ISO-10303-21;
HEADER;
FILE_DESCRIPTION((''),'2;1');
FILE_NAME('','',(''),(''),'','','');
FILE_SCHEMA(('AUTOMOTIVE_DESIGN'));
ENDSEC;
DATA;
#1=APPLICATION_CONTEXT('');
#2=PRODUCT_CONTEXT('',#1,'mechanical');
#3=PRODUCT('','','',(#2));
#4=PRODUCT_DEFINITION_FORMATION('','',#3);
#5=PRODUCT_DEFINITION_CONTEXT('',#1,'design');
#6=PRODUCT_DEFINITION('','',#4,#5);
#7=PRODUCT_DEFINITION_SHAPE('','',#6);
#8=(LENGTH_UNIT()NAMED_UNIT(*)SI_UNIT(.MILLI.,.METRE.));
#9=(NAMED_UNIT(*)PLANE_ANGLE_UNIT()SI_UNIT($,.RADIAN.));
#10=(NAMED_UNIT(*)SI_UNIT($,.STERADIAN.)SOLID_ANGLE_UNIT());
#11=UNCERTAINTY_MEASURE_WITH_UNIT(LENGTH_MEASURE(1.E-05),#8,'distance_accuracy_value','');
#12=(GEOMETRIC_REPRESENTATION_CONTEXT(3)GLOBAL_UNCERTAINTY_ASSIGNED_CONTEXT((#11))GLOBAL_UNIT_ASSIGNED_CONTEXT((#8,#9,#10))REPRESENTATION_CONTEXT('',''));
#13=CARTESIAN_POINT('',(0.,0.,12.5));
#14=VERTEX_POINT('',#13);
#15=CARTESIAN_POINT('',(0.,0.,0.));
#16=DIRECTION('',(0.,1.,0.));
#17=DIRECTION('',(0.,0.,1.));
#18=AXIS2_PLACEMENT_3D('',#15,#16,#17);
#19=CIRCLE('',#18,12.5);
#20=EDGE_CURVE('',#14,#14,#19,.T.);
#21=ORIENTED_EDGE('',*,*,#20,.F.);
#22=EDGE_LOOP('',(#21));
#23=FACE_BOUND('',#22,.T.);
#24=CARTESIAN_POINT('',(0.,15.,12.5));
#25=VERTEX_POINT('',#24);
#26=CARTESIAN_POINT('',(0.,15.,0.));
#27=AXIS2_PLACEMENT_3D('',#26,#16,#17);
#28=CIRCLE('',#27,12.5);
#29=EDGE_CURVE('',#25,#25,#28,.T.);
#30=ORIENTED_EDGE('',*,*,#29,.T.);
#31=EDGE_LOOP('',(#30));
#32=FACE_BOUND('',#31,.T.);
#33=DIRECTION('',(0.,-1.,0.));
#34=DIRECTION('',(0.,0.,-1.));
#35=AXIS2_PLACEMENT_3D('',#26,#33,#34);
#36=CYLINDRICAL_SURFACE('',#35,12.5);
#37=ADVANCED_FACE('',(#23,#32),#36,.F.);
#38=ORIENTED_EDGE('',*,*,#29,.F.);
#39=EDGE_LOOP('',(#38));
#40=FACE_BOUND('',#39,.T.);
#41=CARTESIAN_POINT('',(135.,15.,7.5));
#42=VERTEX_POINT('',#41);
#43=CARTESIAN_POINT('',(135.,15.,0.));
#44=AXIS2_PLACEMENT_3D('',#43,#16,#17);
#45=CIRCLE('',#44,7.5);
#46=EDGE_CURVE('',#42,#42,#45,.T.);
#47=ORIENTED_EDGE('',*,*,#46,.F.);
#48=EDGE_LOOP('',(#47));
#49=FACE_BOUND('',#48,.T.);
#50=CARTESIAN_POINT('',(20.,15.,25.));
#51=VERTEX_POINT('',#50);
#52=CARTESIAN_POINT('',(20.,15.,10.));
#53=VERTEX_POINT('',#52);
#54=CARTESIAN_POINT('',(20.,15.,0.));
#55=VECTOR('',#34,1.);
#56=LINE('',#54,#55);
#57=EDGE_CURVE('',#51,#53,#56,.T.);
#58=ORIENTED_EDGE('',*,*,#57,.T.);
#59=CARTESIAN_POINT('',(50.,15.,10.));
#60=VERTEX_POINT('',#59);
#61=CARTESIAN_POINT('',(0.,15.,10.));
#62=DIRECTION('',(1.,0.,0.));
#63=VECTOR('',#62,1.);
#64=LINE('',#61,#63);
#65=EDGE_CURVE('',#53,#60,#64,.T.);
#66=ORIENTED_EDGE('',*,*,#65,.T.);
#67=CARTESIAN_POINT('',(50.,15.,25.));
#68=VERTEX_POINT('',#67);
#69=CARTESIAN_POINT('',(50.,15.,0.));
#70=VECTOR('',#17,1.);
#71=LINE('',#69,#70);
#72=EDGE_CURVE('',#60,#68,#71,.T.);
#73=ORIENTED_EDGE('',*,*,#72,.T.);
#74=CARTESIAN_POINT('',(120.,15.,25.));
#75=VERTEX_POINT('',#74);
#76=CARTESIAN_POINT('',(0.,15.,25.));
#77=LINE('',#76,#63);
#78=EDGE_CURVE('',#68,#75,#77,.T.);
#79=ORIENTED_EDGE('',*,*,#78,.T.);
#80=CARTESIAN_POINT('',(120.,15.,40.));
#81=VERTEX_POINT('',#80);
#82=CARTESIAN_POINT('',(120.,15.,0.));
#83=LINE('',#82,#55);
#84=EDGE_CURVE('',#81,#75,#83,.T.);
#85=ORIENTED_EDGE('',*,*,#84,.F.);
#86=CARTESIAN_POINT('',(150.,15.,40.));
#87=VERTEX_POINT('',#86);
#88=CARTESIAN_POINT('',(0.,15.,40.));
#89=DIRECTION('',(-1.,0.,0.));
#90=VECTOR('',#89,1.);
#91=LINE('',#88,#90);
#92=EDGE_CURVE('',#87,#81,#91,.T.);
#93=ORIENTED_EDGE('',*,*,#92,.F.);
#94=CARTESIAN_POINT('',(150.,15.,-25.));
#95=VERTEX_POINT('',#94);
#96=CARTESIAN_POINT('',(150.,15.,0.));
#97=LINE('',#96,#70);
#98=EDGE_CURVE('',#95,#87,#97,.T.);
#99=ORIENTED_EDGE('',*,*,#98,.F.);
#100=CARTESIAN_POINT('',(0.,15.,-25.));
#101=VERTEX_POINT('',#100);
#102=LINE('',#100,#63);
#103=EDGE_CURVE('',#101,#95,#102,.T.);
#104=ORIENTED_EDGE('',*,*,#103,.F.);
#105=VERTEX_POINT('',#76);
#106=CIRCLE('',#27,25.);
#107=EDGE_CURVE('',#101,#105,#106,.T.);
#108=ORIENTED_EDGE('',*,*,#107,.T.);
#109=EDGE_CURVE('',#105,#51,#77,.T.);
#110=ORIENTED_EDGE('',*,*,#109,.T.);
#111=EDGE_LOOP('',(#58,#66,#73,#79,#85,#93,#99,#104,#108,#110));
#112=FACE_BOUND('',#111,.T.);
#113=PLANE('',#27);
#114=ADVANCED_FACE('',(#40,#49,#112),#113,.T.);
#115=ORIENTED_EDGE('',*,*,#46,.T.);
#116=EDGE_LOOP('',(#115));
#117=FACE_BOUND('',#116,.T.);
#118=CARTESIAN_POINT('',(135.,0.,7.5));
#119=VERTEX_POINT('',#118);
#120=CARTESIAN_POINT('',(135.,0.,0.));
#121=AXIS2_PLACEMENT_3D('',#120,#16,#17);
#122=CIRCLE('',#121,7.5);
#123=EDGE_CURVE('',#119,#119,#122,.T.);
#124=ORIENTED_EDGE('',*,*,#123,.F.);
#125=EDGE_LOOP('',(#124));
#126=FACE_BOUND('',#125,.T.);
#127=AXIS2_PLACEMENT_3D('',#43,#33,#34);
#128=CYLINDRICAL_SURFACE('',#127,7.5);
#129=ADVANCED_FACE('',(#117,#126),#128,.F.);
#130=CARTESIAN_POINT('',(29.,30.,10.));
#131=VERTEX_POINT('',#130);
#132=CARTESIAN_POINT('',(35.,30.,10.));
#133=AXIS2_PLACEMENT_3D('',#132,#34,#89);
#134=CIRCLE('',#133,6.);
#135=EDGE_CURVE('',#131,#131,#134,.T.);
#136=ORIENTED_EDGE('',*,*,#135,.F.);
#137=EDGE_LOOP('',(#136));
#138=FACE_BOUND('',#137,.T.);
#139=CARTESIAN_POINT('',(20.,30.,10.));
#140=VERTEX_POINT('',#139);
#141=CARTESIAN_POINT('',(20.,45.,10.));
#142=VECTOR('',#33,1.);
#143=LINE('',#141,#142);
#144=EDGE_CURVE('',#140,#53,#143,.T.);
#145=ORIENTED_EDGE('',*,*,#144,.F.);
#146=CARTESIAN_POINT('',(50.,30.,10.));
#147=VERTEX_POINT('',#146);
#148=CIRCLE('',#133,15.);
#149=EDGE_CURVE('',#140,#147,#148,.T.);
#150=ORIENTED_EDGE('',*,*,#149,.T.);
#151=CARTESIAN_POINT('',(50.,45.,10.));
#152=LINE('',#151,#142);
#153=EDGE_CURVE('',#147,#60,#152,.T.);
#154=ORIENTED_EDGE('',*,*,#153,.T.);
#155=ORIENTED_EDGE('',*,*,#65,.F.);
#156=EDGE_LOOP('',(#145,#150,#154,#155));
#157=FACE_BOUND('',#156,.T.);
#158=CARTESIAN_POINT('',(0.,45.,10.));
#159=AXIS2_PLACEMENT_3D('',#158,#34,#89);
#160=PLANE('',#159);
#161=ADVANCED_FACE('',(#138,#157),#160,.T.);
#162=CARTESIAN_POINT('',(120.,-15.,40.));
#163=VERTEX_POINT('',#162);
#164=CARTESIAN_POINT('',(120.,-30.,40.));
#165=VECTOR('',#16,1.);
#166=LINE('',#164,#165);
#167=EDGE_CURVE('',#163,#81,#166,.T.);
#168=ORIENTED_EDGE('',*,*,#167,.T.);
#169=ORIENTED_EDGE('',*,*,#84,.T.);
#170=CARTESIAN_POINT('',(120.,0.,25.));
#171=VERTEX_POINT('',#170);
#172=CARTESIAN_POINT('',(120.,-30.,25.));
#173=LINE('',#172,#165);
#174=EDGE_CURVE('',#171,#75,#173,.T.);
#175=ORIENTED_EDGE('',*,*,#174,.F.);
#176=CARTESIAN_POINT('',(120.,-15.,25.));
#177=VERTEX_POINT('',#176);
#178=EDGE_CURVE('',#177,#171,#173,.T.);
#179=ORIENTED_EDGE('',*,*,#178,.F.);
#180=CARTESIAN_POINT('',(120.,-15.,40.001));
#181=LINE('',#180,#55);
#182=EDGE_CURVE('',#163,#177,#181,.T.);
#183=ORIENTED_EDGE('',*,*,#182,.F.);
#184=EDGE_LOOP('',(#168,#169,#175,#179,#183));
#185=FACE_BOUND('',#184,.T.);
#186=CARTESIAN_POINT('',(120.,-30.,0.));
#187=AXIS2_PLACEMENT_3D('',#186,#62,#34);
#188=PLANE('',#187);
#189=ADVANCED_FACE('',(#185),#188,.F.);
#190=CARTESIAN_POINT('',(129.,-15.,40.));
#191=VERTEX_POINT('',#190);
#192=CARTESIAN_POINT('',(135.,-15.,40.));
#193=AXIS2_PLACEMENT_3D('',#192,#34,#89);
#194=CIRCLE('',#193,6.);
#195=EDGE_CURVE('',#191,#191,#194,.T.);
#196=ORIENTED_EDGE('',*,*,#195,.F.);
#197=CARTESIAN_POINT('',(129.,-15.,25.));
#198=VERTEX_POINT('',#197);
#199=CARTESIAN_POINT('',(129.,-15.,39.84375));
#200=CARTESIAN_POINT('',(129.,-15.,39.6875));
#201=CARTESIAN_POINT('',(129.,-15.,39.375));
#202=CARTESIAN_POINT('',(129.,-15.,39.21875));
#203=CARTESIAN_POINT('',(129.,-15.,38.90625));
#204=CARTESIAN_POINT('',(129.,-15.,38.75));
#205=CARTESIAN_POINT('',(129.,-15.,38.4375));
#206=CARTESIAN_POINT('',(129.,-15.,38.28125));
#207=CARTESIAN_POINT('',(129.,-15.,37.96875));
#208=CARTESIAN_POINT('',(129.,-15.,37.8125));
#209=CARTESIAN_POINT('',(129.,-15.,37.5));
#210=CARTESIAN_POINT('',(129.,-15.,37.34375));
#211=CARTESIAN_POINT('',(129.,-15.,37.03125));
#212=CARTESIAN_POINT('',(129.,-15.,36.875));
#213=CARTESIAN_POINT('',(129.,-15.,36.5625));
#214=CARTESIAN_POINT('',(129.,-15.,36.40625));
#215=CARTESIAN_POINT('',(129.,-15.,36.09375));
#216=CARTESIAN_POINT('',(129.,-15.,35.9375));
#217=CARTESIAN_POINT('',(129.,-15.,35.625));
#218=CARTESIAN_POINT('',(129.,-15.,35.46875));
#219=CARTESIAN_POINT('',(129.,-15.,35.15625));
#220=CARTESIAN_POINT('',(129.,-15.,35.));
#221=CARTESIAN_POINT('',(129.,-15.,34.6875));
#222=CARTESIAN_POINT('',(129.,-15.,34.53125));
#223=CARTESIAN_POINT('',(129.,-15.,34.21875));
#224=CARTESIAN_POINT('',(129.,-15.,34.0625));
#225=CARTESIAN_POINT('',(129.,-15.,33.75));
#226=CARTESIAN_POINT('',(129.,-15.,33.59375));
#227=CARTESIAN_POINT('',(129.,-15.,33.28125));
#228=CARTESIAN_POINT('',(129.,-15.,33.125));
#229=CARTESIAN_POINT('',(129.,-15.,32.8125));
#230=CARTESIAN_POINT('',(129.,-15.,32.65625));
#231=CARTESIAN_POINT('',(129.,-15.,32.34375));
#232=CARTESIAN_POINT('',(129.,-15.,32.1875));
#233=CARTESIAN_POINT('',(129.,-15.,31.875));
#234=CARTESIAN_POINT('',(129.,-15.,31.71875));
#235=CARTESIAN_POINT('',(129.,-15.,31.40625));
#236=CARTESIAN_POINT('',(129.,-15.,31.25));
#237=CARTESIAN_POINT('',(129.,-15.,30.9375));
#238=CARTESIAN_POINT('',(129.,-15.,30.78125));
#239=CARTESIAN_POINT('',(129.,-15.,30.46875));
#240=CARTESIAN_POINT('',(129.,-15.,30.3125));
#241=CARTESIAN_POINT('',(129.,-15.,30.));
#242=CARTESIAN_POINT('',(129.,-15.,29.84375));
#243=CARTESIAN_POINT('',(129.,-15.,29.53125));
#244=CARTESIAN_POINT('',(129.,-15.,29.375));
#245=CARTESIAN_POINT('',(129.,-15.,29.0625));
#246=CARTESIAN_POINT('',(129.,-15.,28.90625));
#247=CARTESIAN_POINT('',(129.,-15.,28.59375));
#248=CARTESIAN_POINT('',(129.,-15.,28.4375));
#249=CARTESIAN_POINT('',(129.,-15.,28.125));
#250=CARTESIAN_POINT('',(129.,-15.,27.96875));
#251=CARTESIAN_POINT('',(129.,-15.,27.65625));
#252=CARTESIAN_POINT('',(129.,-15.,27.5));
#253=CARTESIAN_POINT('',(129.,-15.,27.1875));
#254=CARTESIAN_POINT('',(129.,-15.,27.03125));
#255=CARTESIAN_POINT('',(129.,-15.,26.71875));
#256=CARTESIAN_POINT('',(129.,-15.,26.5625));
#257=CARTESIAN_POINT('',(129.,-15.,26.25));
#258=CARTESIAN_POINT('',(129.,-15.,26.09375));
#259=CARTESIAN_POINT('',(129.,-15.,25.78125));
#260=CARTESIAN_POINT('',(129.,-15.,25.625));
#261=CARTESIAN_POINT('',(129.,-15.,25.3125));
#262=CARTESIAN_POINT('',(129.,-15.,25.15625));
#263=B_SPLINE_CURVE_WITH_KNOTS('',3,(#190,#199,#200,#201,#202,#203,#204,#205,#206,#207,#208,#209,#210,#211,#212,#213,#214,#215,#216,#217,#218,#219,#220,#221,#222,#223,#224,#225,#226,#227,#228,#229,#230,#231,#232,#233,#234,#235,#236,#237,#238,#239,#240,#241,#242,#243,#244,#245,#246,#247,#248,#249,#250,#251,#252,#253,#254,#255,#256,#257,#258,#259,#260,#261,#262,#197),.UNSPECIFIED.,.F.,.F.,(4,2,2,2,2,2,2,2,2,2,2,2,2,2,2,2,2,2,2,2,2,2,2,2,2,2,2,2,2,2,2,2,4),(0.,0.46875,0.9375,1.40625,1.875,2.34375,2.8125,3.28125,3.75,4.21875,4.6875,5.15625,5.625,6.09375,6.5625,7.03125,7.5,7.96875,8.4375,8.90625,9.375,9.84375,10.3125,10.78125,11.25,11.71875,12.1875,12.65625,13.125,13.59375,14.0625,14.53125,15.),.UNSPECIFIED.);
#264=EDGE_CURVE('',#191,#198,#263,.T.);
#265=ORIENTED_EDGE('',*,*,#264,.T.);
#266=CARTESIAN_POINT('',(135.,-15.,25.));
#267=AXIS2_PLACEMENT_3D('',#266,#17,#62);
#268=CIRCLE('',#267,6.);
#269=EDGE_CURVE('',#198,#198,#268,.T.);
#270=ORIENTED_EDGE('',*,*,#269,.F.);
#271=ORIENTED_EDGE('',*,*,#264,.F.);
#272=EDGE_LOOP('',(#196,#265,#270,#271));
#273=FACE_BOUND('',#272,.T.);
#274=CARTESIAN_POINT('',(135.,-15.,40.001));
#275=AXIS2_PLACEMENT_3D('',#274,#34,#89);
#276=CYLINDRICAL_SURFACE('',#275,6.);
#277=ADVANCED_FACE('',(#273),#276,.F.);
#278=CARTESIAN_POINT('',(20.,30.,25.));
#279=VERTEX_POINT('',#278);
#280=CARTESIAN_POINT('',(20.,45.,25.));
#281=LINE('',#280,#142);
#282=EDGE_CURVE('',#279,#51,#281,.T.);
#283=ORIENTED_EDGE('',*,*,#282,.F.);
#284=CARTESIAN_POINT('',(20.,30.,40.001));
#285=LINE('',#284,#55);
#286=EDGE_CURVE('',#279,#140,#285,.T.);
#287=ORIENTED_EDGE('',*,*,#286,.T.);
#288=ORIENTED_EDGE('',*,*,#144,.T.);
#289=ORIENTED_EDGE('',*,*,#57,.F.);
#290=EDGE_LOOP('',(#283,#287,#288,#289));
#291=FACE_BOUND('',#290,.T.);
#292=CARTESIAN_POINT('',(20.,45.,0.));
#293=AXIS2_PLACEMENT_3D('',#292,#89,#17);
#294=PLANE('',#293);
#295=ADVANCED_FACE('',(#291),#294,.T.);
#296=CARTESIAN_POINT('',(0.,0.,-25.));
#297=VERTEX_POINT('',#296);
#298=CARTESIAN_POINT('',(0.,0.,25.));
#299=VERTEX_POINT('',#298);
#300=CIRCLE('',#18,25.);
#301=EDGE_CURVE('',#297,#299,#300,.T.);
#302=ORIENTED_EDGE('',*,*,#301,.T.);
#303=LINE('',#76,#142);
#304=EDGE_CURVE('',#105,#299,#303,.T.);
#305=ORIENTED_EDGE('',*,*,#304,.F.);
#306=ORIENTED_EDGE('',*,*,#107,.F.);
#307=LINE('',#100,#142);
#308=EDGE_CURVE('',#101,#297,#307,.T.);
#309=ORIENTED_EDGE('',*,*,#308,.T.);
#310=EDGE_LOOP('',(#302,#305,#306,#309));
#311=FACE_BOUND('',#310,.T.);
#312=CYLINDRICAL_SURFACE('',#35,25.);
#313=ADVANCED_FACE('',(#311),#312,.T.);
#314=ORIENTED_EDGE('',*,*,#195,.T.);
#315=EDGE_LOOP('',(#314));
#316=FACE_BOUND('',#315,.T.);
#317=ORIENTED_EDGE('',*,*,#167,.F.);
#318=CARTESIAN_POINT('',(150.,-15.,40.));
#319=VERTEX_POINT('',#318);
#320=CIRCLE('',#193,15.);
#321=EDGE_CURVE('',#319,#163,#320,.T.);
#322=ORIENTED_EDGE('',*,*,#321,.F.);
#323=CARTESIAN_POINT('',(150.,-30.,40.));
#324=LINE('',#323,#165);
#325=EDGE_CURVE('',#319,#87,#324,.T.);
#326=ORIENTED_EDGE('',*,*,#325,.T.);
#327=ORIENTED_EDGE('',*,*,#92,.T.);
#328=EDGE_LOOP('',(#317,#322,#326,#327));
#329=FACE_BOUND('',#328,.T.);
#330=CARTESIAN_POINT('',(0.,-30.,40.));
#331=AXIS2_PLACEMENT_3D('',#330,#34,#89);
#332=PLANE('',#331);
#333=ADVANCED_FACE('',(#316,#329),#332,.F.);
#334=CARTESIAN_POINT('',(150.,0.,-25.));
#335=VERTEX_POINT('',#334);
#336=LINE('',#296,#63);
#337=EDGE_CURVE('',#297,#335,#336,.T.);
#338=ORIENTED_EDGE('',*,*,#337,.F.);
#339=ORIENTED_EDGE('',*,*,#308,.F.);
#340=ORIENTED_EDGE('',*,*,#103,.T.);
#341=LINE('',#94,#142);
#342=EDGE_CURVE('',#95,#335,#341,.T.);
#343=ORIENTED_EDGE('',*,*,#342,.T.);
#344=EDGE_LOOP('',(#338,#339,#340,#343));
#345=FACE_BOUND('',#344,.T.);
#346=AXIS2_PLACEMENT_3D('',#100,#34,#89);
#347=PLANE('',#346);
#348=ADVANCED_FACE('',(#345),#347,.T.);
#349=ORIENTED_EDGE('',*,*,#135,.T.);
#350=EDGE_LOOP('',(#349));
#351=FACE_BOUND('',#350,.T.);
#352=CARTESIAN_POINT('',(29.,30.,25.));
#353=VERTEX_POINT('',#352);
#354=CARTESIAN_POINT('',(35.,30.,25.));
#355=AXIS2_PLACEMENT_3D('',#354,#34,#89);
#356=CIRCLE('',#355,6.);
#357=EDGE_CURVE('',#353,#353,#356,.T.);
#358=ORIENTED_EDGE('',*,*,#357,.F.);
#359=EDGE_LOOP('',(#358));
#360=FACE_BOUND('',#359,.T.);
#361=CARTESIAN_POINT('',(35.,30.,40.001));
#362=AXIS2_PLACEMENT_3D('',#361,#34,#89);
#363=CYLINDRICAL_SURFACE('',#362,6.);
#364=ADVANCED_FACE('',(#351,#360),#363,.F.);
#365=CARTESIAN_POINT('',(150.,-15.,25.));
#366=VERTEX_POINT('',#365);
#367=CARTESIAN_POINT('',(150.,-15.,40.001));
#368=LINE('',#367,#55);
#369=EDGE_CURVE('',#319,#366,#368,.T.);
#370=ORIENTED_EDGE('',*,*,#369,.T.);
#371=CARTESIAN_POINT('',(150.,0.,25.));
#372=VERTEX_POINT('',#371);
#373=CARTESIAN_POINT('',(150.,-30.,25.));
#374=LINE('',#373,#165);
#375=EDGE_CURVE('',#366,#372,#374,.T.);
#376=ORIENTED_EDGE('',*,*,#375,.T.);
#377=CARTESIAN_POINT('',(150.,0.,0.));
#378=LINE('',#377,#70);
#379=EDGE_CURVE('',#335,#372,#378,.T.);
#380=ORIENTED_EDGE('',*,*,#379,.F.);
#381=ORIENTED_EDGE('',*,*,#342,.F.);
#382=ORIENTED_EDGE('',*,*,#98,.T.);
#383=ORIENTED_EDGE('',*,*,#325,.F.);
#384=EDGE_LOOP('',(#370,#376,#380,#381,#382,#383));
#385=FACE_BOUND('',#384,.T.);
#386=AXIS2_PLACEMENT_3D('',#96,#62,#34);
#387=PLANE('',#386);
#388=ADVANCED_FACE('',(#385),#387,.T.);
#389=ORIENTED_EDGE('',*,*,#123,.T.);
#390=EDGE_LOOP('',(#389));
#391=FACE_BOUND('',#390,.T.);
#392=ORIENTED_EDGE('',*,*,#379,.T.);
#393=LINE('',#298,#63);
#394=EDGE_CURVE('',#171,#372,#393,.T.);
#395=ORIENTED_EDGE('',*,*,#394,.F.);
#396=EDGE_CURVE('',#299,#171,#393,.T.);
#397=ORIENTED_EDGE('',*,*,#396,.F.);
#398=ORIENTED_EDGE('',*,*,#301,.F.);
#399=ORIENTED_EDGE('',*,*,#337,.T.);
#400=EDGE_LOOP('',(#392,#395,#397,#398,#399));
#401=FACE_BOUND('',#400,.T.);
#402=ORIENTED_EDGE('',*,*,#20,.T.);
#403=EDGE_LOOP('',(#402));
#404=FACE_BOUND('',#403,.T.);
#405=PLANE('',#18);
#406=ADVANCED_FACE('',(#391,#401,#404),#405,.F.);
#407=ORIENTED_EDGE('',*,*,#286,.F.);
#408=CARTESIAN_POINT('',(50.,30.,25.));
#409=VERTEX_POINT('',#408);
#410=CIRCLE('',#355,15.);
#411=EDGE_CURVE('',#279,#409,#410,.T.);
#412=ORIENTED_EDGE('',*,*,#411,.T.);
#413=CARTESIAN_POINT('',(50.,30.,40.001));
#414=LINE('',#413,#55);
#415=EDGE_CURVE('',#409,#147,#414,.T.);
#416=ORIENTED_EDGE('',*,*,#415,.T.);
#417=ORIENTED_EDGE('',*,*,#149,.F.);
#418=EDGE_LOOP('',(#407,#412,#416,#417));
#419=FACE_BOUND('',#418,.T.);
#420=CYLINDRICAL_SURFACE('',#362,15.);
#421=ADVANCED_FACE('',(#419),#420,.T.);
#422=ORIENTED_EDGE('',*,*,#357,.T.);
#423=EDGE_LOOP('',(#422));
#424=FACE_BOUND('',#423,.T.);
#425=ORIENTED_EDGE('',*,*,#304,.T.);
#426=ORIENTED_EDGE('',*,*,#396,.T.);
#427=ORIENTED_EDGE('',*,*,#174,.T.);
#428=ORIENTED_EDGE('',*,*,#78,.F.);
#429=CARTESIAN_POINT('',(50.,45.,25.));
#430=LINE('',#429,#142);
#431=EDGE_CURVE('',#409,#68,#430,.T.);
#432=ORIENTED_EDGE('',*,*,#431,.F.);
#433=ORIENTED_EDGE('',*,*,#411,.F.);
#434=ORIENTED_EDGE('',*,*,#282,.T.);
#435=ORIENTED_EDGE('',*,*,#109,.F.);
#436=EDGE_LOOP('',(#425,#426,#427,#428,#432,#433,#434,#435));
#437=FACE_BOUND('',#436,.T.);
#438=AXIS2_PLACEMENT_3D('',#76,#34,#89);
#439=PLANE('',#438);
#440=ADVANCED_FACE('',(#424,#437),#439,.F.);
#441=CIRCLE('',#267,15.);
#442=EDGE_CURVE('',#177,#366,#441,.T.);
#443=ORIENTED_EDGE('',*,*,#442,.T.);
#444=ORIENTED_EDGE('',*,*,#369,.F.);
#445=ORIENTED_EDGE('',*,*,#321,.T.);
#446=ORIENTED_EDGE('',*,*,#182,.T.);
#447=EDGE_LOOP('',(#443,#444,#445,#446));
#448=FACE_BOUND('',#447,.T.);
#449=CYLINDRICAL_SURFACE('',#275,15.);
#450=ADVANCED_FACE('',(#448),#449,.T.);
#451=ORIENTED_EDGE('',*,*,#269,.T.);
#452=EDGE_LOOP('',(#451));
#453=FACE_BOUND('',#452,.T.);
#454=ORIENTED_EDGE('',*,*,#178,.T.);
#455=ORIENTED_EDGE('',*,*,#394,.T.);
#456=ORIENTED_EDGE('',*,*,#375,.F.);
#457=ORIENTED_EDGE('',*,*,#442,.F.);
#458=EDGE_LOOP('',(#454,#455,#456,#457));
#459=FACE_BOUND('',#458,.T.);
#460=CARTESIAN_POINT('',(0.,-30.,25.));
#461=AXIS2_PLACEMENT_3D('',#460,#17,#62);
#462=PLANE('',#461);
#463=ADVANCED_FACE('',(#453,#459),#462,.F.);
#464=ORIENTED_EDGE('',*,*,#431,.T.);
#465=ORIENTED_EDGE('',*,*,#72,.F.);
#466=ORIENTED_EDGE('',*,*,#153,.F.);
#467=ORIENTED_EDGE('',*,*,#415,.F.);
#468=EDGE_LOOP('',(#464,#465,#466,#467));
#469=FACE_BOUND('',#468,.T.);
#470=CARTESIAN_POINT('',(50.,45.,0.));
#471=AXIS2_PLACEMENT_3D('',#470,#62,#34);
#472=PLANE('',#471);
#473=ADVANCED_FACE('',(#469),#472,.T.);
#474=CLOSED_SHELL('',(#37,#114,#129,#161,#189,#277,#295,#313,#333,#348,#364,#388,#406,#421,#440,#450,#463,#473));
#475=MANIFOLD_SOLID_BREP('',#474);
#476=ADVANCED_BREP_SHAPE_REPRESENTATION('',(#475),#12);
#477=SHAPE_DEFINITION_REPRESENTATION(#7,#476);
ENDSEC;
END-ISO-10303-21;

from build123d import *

# Parameters (mm, degrees)
SKETCH1_R           = 12.5
SKETCH1_R_2         = 7.5
BOSS_EXTRUDE1_DEPTH = 15
SKETCH1_3_W         = 30
SKETCH1_3_H         = 15
BOSS_EXTRUDE2_DEPTH = 45
BOSS_EXTRUDE3_START = 15
SKETCH1_4_W         = 30
SKETCH1_4_H         = 15
BOSS_EXTRUDE3_DEPTH = 45
CUT_EXTRUDE1_START  = 10
SKETCH3_R           = 6
CUT_EXTRUDE1_DEPTH  = 30


with BuildPart() as part:
    # Sketch1 → Boss-Extrude1 (new body)
    with BuildSketch(Plane(origin=(0, 0, 0), x_dir=(1, 0, 0), z_dir=(0, 1, 0))):
        with BuildLine():
            Line((150, 25), (0, 25))
            ThreePointArc((0, 25), (-25, 0), (0, -25))
            Line((0, -25), (20, -25))
            Line((20, -25), (20, -10))
            Line((20, -10), (50, -10))
            Line((50, -10), (50, -25))
            Line((50, -25), (120, -25))
            Line((120, -25), (150, -25))
            Line((150, -25), (150, 25))
        make_face()
        with Locations(Location((0, 0, 0), (0, 0, 270))):
            Circle(SKETCH1_R, mode=Mode.SUBTRACT)
        with Locations(Location((135, 0, 0), (0, 0, 270))):
            Circle(SKETCH1_R_2, mode=Mode.SUBTRACT)
    extrude(amount=BOSS_EXTRUDE1_DEPTH)

    # Sketch1<3> → Boss-Extrude2 (add)
    with BuildSketch(Plane(origin=(0, 0, 0), x_dir=(1, 0, 0), z_dir=(0, 1, 0))):
        with Locations((35, -17.5)):
            Rectangle(SKETCH1_3_W, SKETCH1_3_H)
    extrude(amount=BOSS_EXTRUDE2_DEPTH)

    # Sketch1<4> → Boss-Extrude3 (add)
    with BuildSketch(Plane(origin=(0, 0, 0), x_dir=(1, 0, 0), z_dir=(0, 1, 0)).offset(BOSS_EXTRUDE3_START)):
        with Locations((135, -32.5)):
            Rectangle(SKETCH1_4_W, SKETCH1_4_H)
    extrude(amount=-BOSS_EXTRUDE3_DEPTH)

    # Sketch3 → Cut-Extrude1 (cut)
    with BuildSketch(Plane.XY.offset(CUT_EXTRUDE1_START)):
        with BuildLine():
            ThreePointArc((35, 45), (45.606601718, 40.606601718), (50, 30))
            Line((50, 30), (50, 45))
            Line((50, 45), (35, 45))
        make_face()
        with BuildLine():
            Line((20, 45), (20, 30))
            ThreePointArc((20, 30), (24.393398282, 40.606601718), (35, 45))
            Line((35, 45), (20, 45))
        make_face()
        with Locations(Location((35, 30, 0), (0, 0, 180))):
            Circle(SKETCH3_R)
        with BuildLine():
            ThreePointArc((150, -15), (135, -30), (120, -15))
            Line((120, -15), (120, -39.427079815))
            Line((120, -39.427079815), (150, -39.427079815))
            Line((150, -39.427079815), (150, -15))
        make_face()
        with Locations(Location((135, -15, 0), (0, 0, 180))):
            Circle(SKETCH3_R)
    extrude(amount=CUT_EXTRUDE1_DEPTH, mode=Mode.SUBTRACT)


solid = part.part
